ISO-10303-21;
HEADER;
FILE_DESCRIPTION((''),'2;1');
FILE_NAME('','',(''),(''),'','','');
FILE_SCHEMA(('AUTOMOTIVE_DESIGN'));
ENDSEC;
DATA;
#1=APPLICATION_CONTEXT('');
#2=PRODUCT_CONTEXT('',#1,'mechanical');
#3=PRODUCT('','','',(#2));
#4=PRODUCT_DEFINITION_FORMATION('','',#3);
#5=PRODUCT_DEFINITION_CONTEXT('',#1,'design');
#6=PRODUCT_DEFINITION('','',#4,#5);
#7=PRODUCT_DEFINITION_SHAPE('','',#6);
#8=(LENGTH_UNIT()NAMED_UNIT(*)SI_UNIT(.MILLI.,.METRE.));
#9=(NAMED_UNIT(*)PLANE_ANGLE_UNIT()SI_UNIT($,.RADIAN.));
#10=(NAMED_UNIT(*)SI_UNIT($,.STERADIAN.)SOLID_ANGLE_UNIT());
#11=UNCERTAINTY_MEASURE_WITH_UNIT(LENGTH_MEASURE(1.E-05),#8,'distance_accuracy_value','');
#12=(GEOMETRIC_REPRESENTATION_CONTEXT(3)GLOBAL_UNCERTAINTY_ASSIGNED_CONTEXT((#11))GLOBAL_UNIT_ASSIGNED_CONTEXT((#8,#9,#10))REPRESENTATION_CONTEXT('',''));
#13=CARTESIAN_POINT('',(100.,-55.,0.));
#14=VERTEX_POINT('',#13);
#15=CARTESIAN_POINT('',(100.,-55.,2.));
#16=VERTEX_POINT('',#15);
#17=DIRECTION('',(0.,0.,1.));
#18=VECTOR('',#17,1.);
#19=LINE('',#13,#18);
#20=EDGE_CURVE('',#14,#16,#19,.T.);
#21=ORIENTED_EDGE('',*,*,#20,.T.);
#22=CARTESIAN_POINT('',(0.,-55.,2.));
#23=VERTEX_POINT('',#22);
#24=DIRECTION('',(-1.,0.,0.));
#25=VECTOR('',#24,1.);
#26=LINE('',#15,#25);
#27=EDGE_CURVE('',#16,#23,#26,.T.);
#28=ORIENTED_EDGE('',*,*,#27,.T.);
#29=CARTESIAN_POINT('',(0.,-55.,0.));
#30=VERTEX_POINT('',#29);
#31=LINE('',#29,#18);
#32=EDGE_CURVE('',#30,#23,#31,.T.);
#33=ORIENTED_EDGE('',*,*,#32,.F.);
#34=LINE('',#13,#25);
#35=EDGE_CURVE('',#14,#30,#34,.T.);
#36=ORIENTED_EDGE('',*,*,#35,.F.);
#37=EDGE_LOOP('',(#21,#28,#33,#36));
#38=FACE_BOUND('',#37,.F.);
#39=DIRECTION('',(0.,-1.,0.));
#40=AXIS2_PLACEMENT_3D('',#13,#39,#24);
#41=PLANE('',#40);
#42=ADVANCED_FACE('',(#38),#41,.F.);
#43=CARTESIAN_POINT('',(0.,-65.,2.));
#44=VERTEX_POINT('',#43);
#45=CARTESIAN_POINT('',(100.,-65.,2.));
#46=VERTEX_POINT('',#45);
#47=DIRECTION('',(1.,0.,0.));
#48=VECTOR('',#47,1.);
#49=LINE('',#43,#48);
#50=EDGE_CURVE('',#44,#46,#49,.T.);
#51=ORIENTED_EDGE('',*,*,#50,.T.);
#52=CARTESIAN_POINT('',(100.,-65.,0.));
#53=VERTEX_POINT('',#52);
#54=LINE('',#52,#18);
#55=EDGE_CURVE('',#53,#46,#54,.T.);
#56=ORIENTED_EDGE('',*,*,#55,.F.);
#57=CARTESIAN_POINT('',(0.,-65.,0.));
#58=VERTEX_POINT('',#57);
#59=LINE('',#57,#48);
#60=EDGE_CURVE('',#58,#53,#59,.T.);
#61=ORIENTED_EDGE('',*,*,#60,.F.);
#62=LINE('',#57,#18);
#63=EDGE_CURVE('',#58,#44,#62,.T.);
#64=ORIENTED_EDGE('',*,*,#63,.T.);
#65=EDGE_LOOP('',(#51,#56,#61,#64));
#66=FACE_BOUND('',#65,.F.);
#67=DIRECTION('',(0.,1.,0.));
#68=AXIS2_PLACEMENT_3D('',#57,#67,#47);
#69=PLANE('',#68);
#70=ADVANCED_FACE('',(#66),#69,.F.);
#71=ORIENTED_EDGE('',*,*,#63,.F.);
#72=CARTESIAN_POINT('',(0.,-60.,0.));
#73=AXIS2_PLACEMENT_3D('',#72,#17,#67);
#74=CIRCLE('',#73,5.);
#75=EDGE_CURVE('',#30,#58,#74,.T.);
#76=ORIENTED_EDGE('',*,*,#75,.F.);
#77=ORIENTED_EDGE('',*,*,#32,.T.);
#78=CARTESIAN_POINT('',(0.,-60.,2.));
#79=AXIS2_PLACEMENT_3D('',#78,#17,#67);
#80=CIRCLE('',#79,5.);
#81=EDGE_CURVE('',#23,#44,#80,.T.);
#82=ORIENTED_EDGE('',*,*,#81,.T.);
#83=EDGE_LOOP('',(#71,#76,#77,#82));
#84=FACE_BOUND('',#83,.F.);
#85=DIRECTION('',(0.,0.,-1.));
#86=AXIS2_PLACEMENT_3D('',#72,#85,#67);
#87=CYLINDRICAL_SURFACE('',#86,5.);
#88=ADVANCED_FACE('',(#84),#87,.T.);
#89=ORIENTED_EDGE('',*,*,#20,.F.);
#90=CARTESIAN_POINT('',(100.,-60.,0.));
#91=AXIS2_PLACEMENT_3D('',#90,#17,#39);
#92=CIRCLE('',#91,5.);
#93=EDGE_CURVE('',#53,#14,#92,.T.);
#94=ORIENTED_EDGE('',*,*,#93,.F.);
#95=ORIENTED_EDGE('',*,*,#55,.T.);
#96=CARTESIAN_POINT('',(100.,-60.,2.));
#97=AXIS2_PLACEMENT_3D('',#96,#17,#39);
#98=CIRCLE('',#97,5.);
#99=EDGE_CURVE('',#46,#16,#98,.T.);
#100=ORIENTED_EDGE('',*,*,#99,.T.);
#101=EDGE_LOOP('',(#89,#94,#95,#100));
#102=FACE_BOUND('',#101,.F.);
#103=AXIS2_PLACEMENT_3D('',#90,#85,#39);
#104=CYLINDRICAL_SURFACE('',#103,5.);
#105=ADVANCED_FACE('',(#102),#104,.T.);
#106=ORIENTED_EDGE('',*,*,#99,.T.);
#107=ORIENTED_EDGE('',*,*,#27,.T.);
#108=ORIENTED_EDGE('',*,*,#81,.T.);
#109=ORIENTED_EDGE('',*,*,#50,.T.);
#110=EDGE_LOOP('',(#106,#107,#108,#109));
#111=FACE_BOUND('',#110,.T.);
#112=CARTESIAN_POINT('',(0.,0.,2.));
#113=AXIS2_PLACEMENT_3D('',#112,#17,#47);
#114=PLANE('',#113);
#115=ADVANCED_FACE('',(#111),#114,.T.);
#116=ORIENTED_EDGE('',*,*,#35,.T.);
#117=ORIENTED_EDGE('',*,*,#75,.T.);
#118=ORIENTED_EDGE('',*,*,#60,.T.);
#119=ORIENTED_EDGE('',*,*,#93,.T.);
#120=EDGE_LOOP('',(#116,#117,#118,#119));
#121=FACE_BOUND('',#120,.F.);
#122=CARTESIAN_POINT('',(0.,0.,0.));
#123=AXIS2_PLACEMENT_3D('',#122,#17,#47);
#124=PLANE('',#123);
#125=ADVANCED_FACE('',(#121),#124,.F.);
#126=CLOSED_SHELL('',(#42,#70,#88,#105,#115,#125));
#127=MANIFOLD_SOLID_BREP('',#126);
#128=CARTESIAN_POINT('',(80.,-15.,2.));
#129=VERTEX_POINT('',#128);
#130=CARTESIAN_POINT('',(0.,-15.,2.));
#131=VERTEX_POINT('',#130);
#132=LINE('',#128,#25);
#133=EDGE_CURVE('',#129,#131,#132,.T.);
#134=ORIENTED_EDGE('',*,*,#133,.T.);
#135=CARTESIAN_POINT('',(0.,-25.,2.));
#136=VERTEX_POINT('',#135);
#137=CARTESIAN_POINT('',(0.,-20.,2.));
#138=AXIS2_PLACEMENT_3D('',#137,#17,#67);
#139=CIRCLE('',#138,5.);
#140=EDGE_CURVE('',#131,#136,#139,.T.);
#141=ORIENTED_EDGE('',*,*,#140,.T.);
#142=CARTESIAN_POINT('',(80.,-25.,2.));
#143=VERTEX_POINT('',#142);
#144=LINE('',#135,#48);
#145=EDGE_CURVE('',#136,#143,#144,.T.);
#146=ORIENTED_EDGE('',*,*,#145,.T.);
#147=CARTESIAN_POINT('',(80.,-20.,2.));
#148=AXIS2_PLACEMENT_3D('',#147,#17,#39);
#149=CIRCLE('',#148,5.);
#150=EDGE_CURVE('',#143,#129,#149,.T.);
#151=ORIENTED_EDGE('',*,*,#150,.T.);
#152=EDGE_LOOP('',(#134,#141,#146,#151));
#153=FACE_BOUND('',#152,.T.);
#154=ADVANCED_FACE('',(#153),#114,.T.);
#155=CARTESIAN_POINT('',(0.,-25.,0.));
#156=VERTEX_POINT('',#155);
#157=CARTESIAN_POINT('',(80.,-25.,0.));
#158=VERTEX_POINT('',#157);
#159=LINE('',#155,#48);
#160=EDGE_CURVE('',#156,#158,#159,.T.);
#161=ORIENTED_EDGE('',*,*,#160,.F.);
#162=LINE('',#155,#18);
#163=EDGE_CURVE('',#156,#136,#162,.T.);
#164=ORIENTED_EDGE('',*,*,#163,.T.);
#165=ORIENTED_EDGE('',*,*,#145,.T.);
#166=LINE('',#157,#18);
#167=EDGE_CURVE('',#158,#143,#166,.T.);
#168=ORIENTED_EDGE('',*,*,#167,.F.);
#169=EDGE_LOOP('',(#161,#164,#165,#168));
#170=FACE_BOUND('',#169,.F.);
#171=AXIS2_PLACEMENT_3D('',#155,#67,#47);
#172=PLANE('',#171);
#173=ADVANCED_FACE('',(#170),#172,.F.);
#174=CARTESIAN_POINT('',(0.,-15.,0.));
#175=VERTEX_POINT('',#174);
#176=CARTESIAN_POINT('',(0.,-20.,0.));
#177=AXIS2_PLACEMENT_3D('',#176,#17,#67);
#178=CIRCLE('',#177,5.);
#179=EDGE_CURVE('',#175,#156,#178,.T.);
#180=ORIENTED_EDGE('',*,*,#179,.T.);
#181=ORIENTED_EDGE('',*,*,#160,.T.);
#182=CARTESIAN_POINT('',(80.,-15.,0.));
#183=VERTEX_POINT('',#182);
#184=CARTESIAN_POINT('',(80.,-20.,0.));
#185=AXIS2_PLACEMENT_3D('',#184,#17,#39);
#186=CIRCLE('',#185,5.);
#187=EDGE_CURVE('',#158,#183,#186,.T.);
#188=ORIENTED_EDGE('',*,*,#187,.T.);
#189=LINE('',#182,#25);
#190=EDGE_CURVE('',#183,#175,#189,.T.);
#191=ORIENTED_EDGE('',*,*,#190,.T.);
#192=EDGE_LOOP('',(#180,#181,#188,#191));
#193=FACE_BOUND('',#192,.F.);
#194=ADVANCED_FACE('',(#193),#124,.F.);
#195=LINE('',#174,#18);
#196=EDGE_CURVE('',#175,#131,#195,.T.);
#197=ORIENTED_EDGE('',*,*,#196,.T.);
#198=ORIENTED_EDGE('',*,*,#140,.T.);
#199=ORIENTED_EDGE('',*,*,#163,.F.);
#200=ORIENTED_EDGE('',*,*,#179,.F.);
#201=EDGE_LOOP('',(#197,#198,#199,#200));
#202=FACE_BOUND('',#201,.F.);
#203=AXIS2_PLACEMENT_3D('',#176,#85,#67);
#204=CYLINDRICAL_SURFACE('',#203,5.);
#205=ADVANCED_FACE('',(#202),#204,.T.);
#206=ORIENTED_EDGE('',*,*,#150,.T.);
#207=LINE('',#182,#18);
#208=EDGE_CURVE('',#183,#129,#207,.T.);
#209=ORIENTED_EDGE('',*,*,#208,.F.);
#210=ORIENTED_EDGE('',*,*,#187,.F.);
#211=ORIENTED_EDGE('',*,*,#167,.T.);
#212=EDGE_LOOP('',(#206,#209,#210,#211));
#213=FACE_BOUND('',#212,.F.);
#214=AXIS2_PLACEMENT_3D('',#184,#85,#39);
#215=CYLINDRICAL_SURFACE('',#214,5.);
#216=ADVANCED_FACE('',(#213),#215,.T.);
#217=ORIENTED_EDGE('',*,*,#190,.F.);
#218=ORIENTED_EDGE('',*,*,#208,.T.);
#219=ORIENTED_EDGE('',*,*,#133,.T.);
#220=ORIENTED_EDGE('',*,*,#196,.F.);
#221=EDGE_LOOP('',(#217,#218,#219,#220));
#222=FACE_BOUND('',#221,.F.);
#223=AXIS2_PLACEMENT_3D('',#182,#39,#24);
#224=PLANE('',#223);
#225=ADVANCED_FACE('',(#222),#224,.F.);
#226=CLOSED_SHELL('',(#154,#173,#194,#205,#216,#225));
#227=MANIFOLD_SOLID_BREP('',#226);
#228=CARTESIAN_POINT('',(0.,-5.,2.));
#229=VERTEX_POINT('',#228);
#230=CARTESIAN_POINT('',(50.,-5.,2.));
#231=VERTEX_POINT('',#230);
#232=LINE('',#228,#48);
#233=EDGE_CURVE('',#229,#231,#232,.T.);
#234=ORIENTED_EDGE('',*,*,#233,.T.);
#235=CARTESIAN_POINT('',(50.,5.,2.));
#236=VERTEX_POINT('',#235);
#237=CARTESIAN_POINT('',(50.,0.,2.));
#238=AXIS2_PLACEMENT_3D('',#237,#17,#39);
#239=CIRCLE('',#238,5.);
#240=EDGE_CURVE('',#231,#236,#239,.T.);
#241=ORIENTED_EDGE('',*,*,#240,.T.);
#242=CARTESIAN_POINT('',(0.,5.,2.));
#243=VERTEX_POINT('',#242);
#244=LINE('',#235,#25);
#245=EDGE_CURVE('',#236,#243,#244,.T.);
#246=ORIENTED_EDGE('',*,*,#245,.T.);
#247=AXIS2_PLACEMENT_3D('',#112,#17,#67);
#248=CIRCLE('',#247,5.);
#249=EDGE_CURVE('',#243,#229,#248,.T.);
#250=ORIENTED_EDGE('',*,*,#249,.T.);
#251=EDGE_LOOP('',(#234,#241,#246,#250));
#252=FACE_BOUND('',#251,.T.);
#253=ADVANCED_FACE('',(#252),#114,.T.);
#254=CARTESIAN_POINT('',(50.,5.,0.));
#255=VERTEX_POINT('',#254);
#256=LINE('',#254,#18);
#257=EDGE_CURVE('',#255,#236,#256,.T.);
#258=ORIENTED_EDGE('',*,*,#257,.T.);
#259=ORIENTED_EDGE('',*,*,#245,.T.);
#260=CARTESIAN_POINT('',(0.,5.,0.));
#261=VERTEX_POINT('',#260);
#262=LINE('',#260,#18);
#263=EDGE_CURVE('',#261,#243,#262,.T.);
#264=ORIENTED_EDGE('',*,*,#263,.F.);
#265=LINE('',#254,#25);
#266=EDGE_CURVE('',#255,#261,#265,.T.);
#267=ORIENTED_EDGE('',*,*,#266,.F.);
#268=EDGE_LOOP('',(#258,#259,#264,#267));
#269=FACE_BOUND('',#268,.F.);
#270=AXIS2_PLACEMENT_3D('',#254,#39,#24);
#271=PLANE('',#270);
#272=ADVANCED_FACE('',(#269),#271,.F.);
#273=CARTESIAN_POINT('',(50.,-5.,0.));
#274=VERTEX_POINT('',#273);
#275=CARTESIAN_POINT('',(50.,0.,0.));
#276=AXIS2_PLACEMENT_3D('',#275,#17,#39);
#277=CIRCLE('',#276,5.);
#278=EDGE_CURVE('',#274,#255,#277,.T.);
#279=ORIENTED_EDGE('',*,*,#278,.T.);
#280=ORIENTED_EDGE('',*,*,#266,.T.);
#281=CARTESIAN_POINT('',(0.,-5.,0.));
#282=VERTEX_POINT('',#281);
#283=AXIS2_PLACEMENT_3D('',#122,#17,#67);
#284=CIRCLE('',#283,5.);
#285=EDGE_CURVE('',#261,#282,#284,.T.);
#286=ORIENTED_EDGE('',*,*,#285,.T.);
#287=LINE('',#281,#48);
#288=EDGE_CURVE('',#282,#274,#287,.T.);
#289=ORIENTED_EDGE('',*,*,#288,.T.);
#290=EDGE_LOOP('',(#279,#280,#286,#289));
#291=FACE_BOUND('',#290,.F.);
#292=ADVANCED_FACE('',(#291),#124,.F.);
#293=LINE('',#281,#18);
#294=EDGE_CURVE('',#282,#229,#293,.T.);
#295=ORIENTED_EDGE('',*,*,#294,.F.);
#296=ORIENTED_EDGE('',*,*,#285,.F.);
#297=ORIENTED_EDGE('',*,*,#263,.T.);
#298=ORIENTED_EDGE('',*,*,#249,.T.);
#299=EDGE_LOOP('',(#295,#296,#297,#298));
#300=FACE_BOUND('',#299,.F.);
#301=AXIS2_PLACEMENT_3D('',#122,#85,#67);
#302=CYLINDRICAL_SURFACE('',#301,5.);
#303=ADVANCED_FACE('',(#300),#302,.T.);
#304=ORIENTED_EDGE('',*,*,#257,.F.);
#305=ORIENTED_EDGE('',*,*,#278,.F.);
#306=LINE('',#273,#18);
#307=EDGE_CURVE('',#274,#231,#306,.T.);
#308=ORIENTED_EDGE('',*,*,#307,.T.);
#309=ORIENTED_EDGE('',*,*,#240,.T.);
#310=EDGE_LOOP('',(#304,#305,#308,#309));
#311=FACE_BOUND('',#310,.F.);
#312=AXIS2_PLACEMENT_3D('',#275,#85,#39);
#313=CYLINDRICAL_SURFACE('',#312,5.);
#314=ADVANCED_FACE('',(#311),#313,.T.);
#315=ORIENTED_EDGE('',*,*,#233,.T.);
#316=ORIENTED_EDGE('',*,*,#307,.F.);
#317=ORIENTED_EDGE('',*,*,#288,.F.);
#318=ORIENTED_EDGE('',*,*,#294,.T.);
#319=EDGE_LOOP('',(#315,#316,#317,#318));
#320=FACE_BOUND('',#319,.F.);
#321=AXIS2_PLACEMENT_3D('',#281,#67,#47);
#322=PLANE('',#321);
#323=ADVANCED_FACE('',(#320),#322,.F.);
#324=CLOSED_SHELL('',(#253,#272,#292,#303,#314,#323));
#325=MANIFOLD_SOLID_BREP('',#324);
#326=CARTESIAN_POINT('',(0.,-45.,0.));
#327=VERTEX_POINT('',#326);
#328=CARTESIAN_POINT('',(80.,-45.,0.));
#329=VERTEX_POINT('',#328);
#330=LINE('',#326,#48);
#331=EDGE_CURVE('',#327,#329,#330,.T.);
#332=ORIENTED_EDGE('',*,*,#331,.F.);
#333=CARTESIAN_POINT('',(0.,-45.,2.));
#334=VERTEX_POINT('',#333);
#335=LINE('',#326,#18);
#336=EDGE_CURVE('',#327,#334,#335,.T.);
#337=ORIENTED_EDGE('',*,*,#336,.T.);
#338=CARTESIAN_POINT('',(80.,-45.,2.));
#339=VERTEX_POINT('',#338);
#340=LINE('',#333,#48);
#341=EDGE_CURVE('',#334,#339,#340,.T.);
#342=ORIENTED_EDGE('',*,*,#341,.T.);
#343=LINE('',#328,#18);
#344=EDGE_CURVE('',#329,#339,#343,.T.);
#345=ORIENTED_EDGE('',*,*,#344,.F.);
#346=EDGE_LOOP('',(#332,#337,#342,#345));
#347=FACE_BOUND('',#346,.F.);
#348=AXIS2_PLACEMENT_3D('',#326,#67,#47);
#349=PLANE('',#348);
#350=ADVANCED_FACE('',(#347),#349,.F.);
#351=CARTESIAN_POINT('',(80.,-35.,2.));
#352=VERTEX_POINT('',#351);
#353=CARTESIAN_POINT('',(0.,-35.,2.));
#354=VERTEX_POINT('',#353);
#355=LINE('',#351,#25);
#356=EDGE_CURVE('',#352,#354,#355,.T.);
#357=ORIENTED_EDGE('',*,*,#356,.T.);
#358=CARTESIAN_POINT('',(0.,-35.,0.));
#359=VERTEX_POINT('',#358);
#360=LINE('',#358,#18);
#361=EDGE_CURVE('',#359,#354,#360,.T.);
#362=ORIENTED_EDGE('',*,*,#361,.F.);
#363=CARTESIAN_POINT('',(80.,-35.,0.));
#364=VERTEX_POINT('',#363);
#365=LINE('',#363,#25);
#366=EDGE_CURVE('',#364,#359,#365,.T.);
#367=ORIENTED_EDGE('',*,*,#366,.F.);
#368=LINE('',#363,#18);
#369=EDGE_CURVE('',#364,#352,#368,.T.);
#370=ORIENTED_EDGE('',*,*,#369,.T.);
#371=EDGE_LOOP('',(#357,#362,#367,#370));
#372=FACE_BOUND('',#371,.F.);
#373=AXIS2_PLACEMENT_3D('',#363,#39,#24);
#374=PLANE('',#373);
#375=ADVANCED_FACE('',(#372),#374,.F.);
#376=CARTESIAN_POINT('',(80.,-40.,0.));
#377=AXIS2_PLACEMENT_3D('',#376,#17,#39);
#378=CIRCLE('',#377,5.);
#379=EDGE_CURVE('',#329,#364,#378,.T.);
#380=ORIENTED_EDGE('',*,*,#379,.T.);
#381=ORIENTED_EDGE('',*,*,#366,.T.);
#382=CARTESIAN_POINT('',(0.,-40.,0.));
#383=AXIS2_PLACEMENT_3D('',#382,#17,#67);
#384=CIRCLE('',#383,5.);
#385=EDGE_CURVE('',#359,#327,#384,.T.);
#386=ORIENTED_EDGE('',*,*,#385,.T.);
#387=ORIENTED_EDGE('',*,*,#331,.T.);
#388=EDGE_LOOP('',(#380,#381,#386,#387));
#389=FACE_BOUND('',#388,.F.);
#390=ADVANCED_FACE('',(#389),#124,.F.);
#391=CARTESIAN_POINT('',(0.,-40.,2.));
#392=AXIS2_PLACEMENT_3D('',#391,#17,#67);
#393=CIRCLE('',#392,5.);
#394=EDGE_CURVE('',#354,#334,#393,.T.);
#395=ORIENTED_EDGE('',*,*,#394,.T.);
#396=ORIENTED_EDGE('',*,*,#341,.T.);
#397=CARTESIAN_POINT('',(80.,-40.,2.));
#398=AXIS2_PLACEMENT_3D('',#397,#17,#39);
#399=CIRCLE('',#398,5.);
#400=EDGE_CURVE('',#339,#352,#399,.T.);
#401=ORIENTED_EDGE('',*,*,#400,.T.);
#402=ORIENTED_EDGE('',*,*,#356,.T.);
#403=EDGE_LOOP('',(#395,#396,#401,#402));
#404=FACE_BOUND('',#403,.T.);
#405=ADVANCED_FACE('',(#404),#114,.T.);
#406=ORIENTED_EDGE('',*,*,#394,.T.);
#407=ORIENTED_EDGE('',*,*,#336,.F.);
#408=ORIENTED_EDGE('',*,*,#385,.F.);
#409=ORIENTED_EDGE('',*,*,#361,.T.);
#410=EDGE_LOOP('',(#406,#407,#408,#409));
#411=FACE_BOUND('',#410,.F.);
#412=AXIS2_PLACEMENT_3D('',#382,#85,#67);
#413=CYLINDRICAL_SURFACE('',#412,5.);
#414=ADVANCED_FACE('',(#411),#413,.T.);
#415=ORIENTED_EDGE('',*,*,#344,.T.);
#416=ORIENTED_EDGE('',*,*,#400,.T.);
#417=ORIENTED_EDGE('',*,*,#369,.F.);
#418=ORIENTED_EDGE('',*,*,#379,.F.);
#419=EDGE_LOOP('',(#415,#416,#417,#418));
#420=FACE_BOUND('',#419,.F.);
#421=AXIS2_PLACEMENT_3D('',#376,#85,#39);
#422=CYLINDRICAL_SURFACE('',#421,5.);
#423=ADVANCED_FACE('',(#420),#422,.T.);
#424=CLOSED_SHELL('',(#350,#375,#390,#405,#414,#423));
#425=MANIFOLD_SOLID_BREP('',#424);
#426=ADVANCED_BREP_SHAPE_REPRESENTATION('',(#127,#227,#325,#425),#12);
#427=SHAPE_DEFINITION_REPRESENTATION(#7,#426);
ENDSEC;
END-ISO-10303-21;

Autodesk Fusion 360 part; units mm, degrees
sketch "Sketch1" plane through (0, 0, 0) normal (0, 0, 1) x (1, 0, 0)
  line L0 (0, -5) -> (50, -5)
  arc A0 (50, -5) -> (50, 5) centre (50, 0) ccw
  line L1 (50, 5) -> (0, 5)
  arc A1 (0, 5) -> (0, -5) centre (0, 0) ccw
  line L2 (0, 0) -> (50, 0) construction
  line L3 (0, -25) -> (80, -25)
  arc A2 (80, -25) -> (80, -15) centre (80, -20) ccw
  line L4 (80, -15) -> (0, -15)
  arc A3 (0, -15) -> (0, -25) centre (0, -20) ccw
  line L5 (0, -20) -> (80, -20) construction
  line L6 (0, -45) -> (80, -45)
  arc A4 (80, -45) -> (80, -35) centre (80, -40) ccw
  line L7 (80, -35) -> (0, -35)
  arc A5 (0, -35) -> (0, -45) centre (0, -40) ccw
  line L8 (0, -40) -> (80, -40) construction
  line L9 (0, -65) -> (100, -65)
  arc A6 (100, -65) -> (100, -55) centre (100, -60) ccw
  line L10 (100, -55) -> (0, -55)
  arc A7 (0, -55) -> (0, -65) centre (0, -60) ccw
  line L11 (0, -60) -> (100, -60) construction
  dimension "d1" = 10
  dimension "d2" = 10
  dimension "d3" = 10
  dimension "d4" = 10
extrude "Extrude1" add sketch "Sketch1" along normal blind 2 makes body 1 at (53.3333, -21.6667, 0) makes body 2 at (53.3333, -41.6667, 0) makes body 3 at (33.3333, -1.6667, 0) makes body 4 at (66.6667, -61.6667, 0) in component "Component"
copy_body "Body->Comp1" bodies 1 removing the originals makes body 5 in component "Component'"
copy_body "Body->Comp2" bodies 2 removing the originals makes body 6 in component "Component''"
copy_body "Body->Comp3" bodies 3 removing the originals makes body 7 in component "Component'''"
copy_body "Body->Comp4" bodies 4 removing the originals makes body 8 in component "Component''''"
component "Component" placed x (1, 0, 0) y (0, 1, 0) z (0, 0, 1) at (0, 0, 0)
component "Component'" placed x (1, 0, 0) y (0, 1, 0) z (0, 0, 1) at (0, 0, 0) in component "Component"
component "Component''" placed x (1, 0, 0) y (0, 1, 0) z (0, 0, 1) at (0, 0, 0) in component "Component"
component "Component'''" placed x (1, 0, 0) y (0, 1, 0) z (0, 0, 1) at (0, 0, 0) in component "Component"
component "Component''''" placed x (1, 0, 0) y (0, 1, 0) z (0, 0, 1) at (0, 0, 0) in component "Component"
